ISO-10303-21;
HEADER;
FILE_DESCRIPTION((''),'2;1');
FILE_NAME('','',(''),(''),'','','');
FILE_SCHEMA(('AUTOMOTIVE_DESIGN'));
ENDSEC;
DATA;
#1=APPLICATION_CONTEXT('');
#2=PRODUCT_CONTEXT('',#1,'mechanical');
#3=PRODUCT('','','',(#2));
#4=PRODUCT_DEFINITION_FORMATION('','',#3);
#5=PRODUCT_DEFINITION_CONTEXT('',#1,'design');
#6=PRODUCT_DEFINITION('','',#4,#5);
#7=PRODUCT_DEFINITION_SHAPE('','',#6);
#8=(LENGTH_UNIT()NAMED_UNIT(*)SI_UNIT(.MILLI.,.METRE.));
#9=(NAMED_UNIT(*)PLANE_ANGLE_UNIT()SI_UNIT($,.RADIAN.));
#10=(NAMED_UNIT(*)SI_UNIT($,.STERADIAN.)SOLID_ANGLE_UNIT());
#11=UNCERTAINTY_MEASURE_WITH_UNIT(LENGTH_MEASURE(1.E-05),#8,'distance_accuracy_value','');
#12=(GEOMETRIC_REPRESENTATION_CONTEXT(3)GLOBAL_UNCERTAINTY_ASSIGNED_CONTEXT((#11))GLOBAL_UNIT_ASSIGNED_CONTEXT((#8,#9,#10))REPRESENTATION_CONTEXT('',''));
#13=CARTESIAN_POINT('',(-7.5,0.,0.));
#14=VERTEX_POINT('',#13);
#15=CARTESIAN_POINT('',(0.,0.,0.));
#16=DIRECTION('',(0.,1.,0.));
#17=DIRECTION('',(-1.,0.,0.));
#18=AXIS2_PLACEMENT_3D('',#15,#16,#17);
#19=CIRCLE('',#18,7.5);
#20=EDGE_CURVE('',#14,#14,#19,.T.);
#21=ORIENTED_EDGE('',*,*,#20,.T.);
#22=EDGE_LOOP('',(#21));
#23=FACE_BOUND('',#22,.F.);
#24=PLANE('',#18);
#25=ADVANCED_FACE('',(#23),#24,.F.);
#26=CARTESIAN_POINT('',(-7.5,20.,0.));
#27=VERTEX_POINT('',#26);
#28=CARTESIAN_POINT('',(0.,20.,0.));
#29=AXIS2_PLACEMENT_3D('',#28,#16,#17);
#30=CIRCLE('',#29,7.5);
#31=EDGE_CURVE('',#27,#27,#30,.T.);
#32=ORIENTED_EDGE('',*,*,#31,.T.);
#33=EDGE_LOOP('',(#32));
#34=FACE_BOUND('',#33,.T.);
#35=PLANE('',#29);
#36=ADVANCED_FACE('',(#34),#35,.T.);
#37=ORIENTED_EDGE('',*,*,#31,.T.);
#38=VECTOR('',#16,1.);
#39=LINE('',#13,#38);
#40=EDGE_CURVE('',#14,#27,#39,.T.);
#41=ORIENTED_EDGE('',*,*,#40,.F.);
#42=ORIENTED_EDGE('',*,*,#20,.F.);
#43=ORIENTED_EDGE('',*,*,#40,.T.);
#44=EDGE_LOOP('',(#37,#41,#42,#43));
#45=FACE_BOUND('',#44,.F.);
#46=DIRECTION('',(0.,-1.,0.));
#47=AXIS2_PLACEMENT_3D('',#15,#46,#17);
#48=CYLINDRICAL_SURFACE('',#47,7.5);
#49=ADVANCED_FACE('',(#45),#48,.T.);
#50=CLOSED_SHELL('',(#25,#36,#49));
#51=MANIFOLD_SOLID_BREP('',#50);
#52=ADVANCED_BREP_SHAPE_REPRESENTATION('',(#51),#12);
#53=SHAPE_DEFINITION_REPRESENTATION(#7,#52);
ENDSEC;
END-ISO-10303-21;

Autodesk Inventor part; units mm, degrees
ref_plane "YZ Plane" through (0, 0, 0) normal (1, 0, 0) x (0, 1, 0)
ref_plane "XZ Plane" through (0, 0, 0) normal (0, 1, 0) x (-1, 0, 0)
ref_plane "XY Plane" through (0, 0, 0) normal (0, 0, 1) x (1, 0, 0)
sketch "Sketch1" plane through (0, 0, 0) normal (0, 1, 0) x (-1, 0, 0)
  circle A0 centre (0, 0) radius 7.5
  dimension "d0" = 15
extrude "Extrusion1" add sketch "Sketch1" along normal blind 20
properties part number "exercicio3 - peça2"
